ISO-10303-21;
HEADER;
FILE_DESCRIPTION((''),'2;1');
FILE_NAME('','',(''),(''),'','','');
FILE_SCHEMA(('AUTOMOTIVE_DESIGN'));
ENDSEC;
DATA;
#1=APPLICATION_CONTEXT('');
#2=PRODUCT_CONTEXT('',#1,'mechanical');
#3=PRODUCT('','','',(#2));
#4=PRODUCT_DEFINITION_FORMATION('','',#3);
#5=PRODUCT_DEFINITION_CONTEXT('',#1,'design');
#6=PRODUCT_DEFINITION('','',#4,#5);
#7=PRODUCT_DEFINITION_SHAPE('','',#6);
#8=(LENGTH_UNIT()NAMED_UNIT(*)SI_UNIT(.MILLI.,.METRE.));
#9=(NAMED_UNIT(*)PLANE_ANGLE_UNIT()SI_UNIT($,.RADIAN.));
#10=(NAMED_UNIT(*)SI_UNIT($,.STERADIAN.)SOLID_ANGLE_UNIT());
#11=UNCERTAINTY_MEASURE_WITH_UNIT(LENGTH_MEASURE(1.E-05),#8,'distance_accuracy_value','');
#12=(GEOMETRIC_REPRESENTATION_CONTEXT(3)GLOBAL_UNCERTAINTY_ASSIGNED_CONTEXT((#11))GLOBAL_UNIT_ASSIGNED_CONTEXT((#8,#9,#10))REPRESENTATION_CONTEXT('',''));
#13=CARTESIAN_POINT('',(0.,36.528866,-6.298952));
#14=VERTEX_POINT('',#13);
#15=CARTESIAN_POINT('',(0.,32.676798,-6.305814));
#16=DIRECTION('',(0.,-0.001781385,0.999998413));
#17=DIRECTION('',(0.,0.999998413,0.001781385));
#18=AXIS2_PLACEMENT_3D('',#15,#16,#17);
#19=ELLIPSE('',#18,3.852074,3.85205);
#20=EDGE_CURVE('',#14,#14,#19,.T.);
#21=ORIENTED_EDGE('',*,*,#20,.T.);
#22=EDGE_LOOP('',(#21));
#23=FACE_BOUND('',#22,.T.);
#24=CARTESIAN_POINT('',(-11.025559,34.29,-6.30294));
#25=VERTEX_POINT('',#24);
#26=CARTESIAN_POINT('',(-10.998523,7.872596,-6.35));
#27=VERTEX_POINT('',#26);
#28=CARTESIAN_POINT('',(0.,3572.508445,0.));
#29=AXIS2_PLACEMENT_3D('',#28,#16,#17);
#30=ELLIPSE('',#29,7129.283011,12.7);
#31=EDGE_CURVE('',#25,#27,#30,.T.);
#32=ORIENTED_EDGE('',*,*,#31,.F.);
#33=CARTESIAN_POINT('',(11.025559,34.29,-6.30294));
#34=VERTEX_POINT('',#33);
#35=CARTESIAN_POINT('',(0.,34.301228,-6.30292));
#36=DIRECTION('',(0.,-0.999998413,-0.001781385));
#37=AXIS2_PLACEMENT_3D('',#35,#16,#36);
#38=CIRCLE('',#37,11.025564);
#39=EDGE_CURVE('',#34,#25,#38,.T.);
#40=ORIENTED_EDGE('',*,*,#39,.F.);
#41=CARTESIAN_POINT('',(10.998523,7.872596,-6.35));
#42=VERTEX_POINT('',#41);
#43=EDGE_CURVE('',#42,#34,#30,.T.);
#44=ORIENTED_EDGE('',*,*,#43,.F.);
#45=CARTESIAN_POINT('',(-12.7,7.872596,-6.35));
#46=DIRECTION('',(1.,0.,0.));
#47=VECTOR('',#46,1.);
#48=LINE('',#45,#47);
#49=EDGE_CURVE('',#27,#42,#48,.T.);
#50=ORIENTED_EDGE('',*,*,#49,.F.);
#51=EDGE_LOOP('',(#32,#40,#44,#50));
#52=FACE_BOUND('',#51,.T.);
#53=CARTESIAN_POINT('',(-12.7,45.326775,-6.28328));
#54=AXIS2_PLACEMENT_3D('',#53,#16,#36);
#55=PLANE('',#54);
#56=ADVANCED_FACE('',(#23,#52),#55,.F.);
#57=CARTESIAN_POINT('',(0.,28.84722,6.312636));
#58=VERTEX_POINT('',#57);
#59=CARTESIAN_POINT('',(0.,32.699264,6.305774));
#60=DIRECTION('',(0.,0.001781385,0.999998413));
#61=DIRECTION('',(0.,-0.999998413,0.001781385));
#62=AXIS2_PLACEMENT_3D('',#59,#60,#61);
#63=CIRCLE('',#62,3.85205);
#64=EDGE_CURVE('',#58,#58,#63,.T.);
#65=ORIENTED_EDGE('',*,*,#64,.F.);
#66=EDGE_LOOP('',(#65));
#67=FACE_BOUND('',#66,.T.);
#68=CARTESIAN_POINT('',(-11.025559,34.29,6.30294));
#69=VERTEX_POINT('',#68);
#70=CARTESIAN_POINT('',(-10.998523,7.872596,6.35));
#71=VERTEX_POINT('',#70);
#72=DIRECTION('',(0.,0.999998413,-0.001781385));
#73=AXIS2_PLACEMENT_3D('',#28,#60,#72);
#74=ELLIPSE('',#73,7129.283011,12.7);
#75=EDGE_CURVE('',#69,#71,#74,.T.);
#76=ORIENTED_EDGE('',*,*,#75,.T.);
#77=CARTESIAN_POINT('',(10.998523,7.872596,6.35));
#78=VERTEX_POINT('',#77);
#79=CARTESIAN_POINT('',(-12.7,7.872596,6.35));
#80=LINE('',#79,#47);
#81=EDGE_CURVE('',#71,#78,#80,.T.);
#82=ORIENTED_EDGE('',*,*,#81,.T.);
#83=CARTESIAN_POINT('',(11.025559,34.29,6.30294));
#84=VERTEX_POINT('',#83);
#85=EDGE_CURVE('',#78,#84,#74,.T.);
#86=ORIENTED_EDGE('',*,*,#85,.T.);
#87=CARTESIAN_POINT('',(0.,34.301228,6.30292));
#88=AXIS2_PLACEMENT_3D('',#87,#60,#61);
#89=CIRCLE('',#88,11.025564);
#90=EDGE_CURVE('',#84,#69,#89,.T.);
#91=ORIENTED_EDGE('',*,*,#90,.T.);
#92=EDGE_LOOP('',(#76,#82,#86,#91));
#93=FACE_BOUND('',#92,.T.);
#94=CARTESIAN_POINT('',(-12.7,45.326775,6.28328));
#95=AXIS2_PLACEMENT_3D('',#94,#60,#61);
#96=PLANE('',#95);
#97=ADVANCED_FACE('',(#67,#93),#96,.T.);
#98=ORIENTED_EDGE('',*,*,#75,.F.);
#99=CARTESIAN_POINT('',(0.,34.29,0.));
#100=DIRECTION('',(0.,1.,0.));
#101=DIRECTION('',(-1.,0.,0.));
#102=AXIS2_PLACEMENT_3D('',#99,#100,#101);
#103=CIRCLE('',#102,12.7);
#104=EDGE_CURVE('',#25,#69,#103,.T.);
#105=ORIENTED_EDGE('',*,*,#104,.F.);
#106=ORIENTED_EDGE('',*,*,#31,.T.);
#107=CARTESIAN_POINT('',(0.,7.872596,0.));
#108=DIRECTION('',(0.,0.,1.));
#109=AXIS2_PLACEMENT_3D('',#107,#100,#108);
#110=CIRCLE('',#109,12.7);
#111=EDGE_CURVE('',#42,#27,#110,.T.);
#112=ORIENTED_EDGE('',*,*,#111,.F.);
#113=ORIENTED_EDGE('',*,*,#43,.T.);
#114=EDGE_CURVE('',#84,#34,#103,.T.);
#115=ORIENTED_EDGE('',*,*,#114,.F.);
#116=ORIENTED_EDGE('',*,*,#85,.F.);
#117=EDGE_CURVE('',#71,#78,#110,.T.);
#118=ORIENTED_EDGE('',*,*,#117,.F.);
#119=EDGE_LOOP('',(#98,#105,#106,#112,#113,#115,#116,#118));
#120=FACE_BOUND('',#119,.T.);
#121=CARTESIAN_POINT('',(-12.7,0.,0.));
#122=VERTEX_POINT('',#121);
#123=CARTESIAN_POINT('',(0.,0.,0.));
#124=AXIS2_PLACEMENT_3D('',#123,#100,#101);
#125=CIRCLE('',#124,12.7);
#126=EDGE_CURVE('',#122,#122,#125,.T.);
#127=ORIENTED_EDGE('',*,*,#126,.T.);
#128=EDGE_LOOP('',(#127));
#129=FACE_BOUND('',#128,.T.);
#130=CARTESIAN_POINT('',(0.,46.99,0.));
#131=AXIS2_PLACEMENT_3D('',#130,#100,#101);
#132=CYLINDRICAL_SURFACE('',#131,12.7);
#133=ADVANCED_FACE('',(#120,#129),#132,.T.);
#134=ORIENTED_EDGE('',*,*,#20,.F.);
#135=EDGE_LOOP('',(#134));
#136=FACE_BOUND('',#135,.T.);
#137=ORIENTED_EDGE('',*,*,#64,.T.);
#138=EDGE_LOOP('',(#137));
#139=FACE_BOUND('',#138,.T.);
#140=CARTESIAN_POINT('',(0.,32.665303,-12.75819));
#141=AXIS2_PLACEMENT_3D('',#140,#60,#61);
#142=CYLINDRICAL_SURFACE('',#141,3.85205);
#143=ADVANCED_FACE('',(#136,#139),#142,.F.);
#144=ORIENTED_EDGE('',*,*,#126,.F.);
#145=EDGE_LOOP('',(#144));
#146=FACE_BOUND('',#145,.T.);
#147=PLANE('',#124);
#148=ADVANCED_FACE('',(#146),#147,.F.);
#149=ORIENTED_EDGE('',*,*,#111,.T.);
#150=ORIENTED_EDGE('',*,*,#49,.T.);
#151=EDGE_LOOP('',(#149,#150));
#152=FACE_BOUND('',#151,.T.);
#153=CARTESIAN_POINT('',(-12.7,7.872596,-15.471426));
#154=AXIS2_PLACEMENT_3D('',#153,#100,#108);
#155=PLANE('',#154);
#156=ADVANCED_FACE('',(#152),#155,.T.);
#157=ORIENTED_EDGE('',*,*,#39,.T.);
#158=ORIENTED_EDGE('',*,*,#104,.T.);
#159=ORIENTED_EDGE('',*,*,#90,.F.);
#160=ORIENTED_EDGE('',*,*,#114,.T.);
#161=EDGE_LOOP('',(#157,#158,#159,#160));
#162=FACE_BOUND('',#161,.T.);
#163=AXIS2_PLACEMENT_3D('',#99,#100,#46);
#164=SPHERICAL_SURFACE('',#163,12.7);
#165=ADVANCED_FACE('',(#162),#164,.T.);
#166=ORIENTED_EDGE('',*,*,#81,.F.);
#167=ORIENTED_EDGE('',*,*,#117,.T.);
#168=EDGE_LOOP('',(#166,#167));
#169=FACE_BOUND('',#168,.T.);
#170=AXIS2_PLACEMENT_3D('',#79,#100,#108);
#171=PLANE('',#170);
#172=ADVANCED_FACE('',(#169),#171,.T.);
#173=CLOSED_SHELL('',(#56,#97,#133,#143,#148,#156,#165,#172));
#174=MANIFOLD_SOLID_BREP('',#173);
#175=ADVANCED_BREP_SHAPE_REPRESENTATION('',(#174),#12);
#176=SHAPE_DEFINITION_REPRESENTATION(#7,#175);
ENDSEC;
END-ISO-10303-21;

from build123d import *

# Parameters (mm, degrees)
CUT_EXTRUDE1_DEPTH      = 51.305467894
CUT_EXTRUDE2_DEPTH      = 53.265868848
CUT_EXTRUDE2_DEPTH_BACK = 53.265868848
SKETCH6_R               = 3.852050009


with BuildPart() as part:
    # Sketch3 → Revolve1 (revolve)
    with BuildSketch(Plane.XY):
        with BuildLine():
            Line((0, 46.99), (0, 0))
            Line((0, 0), (12.7, 0))
            Line((12.7, 0), (12.7, 34.29))
            ThreePointArc((12.7, 34.29), (8.980256121, 43.270256121), (0, 46.99))
        make_face()
    revolve(axis=Axis((0, 46.99, 0), (0, -1, 0)))

    # Sketch4 → Cut-Extrude1 (cut, symmetric)
    with BuildSketch(Plane(origin=(0, 0, 0), x_dir=(0, 0, -1), z_dir=(1, 0, 0))):
        Polygon((-6.28327957, 45.326774794), (-6.35, 7.872595515), (-12.7, 7.872595515), (-15.471425878, 7.872595515), (-17.507867096, 7.199216011), (-21.88483387, 7.199216011), (-21.88483387, 45.326774794), align=None)
    cut_extrude1 = extrude(amount=CUT_EXTRUDE1_DEPTH, both=True, mode=Mode.SUBTRACT)

    # Mirror1: Cut-Extrude1 across plane
    add(cut_extrude1.mirror(Plane.XY), mode=Mode.SUBTRACT)

    # Sketch6 → Cut-Extrude2 (cut, two sides: drawn at the far end of the back side and taken through both)
    with BuildSketch(Plane(origin=(0, 0.011336761, 6.364003953), x_dir=(1, 0, 0), z_dir=(0, 0.0017813853062925587, 0.9999984133319366)).offset(-CUT_EXTRUDE2_DEPTH_BACK)):
        with Locations(Location((0, 32.687978784, 0), (0, 0, 270))):
            Circle(SKETCH6_R)
    extrude(amount=CUT_EXTRUDE2_DEPTH + CUT_EXTRUDE2_DEPTH_BACK, mode=Mode.SUBTRACT)


solid = part.part
